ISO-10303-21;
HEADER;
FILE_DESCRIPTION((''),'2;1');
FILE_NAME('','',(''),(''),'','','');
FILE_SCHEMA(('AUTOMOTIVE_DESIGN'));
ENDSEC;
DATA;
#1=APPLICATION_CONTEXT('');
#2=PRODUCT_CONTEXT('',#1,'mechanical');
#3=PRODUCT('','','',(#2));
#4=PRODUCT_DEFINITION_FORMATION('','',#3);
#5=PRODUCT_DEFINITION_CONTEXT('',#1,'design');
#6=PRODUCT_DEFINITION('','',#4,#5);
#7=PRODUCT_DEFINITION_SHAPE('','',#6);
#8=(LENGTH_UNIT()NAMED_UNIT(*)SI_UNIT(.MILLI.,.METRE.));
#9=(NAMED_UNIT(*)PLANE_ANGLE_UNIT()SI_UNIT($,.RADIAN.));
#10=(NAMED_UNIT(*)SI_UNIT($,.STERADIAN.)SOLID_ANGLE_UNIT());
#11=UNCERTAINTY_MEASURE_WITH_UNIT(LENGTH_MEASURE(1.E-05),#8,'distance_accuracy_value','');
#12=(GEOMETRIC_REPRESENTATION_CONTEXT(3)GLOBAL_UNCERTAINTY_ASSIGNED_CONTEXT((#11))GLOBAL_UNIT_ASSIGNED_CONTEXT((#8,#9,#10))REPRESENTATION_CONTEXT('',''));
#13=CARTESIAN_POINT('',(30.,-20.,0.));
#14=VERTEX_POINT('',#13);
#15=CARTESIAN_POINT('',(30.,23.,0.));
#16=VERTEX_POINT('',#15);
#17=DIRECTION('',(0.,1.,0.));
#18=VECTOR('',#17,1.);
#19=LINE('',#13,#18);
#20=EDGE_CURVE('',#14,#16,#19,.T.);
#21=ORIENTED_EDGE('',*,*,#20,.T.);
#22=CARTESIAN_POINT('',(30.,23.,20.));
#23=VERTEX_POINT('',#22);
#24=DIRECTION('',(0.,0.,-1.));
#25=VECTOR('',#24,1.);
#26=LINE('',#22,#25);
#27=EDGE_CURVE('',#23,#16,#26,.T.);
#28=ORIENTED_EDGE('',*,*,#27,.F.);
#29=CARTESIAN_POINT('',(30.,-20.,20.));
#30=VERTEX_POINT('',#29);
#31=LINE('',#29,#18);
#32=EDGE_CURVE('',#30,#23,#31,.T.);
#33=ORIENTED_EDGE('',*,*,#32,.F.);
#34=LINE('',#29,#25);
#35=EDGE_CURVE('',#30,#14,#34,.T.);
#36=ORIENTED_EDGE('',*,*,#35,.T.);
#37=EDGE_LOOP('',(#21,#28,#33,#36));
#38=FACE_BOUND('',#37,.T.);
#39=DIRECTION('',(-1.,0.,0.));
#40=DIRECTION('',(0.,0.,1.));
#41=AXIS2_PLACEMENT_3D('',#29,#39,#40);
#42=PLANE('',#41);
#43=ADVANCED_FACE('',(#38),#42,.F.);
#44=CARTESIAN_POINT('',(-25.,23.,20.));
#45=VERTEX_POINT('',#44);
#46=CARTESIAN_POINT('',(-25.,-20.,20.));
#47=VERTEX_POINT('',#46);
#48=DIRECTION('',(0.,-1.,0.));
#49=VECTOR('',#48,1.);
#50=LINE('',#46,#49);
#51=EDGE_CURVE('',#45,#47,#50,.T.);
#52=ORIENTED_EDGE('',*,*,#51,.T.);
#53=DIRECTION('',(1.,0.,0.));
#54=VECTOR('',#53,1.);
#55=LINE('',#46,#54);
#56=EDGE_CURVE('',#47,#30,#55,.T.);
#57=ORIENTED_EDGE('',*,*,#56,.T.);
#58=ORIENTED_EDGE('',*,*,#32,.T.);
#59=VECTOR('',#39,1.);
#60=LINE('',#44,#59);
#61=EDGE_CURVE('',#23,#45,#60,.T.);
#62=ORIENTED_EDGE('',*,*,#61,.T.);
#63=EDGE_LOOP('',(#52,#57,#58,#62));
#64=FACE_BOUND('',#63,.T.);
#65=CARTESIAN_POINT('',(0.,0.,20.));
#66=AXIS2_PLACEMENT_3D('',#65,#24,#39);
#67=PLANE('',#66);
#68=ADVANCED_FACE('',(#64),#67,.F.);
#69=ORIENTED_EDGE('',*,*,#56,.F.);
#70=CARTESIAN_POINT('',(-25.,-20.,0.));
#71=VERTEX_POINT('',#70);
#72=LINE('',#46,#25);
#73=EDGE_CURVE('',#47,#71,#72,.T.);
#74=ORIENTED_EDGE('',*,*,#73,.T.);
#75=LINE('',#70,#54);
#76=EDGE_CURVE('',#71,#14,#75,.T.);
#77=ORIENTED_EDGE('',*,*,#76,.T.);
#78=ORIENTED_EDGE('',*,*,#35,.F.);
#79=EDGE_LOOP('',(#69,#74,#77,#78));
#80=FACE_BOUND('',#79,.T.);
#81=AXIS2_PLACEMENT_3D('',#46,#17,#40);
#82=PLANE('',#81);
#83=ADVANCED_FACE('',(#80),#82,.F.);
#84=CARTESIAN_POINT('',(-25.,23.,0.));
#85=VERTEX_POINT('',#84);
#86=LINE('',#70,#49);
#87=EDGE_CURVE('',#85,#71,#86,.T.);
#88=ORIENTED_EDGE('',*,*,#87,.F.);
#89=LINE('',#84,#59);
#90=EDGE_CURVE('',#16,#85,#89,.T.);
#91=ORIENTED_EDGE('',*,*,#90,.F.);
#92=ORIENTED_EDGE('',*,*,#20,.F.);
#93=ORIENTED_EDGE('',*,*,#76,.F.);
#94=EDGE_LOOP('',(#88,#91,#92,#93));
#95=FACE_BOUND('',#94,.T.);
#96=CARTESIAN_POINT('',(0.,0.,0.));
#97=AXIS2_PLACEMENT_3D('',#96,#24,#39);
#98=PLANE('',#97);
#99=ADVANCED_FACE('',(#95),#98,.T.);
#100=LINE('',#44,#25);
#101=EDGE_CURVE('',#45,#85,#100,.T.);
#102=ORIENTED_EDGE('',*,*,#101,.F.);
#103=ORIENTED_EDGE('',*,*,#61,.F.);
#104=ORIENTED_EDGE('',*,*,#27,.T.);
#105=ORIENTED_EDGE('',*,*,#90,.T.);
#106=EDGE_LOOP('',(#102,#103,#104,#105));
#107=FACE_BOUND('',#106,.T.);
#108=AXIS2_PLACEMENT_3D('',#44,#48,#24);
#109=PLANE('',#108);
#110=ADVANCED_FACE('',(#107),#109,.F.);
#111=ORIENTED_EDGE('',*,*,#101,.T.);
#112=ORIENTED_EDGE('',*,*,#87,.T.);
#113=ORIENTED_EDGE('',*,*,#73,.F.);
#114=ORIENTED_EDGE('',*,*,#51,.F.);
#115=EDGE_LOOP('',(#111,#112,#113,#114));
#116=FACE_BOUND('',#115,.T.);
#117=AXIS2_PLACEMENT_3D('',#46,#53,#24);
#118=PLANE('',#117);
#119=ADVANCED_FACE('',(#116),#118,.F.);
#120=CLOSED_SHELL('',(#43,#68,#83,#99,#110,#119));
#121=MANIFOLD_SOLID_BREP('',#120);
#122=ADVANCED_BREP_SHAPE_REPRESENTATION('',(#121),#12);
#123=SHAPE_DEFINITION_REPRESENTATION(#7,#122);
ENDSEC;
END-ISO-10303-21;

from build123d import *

# Parameters (mm, degrees)
SKETCH_1_W      = 55
SKETCH_1_H      = 43
EXTRUDE_1_DEPTH = 20


with BuildPart() as part:
    # 草图1 → 凸台-拉伸1 (new body)
    with BuildSketch(Plane.XY):
        with Locations((2.5, 1.5)):
            Rectangle(SKETCH_1_W, SKETCH_1_H)
    extrude(amount=EXTRUDE_1_DEPTH)


solid = part.part
